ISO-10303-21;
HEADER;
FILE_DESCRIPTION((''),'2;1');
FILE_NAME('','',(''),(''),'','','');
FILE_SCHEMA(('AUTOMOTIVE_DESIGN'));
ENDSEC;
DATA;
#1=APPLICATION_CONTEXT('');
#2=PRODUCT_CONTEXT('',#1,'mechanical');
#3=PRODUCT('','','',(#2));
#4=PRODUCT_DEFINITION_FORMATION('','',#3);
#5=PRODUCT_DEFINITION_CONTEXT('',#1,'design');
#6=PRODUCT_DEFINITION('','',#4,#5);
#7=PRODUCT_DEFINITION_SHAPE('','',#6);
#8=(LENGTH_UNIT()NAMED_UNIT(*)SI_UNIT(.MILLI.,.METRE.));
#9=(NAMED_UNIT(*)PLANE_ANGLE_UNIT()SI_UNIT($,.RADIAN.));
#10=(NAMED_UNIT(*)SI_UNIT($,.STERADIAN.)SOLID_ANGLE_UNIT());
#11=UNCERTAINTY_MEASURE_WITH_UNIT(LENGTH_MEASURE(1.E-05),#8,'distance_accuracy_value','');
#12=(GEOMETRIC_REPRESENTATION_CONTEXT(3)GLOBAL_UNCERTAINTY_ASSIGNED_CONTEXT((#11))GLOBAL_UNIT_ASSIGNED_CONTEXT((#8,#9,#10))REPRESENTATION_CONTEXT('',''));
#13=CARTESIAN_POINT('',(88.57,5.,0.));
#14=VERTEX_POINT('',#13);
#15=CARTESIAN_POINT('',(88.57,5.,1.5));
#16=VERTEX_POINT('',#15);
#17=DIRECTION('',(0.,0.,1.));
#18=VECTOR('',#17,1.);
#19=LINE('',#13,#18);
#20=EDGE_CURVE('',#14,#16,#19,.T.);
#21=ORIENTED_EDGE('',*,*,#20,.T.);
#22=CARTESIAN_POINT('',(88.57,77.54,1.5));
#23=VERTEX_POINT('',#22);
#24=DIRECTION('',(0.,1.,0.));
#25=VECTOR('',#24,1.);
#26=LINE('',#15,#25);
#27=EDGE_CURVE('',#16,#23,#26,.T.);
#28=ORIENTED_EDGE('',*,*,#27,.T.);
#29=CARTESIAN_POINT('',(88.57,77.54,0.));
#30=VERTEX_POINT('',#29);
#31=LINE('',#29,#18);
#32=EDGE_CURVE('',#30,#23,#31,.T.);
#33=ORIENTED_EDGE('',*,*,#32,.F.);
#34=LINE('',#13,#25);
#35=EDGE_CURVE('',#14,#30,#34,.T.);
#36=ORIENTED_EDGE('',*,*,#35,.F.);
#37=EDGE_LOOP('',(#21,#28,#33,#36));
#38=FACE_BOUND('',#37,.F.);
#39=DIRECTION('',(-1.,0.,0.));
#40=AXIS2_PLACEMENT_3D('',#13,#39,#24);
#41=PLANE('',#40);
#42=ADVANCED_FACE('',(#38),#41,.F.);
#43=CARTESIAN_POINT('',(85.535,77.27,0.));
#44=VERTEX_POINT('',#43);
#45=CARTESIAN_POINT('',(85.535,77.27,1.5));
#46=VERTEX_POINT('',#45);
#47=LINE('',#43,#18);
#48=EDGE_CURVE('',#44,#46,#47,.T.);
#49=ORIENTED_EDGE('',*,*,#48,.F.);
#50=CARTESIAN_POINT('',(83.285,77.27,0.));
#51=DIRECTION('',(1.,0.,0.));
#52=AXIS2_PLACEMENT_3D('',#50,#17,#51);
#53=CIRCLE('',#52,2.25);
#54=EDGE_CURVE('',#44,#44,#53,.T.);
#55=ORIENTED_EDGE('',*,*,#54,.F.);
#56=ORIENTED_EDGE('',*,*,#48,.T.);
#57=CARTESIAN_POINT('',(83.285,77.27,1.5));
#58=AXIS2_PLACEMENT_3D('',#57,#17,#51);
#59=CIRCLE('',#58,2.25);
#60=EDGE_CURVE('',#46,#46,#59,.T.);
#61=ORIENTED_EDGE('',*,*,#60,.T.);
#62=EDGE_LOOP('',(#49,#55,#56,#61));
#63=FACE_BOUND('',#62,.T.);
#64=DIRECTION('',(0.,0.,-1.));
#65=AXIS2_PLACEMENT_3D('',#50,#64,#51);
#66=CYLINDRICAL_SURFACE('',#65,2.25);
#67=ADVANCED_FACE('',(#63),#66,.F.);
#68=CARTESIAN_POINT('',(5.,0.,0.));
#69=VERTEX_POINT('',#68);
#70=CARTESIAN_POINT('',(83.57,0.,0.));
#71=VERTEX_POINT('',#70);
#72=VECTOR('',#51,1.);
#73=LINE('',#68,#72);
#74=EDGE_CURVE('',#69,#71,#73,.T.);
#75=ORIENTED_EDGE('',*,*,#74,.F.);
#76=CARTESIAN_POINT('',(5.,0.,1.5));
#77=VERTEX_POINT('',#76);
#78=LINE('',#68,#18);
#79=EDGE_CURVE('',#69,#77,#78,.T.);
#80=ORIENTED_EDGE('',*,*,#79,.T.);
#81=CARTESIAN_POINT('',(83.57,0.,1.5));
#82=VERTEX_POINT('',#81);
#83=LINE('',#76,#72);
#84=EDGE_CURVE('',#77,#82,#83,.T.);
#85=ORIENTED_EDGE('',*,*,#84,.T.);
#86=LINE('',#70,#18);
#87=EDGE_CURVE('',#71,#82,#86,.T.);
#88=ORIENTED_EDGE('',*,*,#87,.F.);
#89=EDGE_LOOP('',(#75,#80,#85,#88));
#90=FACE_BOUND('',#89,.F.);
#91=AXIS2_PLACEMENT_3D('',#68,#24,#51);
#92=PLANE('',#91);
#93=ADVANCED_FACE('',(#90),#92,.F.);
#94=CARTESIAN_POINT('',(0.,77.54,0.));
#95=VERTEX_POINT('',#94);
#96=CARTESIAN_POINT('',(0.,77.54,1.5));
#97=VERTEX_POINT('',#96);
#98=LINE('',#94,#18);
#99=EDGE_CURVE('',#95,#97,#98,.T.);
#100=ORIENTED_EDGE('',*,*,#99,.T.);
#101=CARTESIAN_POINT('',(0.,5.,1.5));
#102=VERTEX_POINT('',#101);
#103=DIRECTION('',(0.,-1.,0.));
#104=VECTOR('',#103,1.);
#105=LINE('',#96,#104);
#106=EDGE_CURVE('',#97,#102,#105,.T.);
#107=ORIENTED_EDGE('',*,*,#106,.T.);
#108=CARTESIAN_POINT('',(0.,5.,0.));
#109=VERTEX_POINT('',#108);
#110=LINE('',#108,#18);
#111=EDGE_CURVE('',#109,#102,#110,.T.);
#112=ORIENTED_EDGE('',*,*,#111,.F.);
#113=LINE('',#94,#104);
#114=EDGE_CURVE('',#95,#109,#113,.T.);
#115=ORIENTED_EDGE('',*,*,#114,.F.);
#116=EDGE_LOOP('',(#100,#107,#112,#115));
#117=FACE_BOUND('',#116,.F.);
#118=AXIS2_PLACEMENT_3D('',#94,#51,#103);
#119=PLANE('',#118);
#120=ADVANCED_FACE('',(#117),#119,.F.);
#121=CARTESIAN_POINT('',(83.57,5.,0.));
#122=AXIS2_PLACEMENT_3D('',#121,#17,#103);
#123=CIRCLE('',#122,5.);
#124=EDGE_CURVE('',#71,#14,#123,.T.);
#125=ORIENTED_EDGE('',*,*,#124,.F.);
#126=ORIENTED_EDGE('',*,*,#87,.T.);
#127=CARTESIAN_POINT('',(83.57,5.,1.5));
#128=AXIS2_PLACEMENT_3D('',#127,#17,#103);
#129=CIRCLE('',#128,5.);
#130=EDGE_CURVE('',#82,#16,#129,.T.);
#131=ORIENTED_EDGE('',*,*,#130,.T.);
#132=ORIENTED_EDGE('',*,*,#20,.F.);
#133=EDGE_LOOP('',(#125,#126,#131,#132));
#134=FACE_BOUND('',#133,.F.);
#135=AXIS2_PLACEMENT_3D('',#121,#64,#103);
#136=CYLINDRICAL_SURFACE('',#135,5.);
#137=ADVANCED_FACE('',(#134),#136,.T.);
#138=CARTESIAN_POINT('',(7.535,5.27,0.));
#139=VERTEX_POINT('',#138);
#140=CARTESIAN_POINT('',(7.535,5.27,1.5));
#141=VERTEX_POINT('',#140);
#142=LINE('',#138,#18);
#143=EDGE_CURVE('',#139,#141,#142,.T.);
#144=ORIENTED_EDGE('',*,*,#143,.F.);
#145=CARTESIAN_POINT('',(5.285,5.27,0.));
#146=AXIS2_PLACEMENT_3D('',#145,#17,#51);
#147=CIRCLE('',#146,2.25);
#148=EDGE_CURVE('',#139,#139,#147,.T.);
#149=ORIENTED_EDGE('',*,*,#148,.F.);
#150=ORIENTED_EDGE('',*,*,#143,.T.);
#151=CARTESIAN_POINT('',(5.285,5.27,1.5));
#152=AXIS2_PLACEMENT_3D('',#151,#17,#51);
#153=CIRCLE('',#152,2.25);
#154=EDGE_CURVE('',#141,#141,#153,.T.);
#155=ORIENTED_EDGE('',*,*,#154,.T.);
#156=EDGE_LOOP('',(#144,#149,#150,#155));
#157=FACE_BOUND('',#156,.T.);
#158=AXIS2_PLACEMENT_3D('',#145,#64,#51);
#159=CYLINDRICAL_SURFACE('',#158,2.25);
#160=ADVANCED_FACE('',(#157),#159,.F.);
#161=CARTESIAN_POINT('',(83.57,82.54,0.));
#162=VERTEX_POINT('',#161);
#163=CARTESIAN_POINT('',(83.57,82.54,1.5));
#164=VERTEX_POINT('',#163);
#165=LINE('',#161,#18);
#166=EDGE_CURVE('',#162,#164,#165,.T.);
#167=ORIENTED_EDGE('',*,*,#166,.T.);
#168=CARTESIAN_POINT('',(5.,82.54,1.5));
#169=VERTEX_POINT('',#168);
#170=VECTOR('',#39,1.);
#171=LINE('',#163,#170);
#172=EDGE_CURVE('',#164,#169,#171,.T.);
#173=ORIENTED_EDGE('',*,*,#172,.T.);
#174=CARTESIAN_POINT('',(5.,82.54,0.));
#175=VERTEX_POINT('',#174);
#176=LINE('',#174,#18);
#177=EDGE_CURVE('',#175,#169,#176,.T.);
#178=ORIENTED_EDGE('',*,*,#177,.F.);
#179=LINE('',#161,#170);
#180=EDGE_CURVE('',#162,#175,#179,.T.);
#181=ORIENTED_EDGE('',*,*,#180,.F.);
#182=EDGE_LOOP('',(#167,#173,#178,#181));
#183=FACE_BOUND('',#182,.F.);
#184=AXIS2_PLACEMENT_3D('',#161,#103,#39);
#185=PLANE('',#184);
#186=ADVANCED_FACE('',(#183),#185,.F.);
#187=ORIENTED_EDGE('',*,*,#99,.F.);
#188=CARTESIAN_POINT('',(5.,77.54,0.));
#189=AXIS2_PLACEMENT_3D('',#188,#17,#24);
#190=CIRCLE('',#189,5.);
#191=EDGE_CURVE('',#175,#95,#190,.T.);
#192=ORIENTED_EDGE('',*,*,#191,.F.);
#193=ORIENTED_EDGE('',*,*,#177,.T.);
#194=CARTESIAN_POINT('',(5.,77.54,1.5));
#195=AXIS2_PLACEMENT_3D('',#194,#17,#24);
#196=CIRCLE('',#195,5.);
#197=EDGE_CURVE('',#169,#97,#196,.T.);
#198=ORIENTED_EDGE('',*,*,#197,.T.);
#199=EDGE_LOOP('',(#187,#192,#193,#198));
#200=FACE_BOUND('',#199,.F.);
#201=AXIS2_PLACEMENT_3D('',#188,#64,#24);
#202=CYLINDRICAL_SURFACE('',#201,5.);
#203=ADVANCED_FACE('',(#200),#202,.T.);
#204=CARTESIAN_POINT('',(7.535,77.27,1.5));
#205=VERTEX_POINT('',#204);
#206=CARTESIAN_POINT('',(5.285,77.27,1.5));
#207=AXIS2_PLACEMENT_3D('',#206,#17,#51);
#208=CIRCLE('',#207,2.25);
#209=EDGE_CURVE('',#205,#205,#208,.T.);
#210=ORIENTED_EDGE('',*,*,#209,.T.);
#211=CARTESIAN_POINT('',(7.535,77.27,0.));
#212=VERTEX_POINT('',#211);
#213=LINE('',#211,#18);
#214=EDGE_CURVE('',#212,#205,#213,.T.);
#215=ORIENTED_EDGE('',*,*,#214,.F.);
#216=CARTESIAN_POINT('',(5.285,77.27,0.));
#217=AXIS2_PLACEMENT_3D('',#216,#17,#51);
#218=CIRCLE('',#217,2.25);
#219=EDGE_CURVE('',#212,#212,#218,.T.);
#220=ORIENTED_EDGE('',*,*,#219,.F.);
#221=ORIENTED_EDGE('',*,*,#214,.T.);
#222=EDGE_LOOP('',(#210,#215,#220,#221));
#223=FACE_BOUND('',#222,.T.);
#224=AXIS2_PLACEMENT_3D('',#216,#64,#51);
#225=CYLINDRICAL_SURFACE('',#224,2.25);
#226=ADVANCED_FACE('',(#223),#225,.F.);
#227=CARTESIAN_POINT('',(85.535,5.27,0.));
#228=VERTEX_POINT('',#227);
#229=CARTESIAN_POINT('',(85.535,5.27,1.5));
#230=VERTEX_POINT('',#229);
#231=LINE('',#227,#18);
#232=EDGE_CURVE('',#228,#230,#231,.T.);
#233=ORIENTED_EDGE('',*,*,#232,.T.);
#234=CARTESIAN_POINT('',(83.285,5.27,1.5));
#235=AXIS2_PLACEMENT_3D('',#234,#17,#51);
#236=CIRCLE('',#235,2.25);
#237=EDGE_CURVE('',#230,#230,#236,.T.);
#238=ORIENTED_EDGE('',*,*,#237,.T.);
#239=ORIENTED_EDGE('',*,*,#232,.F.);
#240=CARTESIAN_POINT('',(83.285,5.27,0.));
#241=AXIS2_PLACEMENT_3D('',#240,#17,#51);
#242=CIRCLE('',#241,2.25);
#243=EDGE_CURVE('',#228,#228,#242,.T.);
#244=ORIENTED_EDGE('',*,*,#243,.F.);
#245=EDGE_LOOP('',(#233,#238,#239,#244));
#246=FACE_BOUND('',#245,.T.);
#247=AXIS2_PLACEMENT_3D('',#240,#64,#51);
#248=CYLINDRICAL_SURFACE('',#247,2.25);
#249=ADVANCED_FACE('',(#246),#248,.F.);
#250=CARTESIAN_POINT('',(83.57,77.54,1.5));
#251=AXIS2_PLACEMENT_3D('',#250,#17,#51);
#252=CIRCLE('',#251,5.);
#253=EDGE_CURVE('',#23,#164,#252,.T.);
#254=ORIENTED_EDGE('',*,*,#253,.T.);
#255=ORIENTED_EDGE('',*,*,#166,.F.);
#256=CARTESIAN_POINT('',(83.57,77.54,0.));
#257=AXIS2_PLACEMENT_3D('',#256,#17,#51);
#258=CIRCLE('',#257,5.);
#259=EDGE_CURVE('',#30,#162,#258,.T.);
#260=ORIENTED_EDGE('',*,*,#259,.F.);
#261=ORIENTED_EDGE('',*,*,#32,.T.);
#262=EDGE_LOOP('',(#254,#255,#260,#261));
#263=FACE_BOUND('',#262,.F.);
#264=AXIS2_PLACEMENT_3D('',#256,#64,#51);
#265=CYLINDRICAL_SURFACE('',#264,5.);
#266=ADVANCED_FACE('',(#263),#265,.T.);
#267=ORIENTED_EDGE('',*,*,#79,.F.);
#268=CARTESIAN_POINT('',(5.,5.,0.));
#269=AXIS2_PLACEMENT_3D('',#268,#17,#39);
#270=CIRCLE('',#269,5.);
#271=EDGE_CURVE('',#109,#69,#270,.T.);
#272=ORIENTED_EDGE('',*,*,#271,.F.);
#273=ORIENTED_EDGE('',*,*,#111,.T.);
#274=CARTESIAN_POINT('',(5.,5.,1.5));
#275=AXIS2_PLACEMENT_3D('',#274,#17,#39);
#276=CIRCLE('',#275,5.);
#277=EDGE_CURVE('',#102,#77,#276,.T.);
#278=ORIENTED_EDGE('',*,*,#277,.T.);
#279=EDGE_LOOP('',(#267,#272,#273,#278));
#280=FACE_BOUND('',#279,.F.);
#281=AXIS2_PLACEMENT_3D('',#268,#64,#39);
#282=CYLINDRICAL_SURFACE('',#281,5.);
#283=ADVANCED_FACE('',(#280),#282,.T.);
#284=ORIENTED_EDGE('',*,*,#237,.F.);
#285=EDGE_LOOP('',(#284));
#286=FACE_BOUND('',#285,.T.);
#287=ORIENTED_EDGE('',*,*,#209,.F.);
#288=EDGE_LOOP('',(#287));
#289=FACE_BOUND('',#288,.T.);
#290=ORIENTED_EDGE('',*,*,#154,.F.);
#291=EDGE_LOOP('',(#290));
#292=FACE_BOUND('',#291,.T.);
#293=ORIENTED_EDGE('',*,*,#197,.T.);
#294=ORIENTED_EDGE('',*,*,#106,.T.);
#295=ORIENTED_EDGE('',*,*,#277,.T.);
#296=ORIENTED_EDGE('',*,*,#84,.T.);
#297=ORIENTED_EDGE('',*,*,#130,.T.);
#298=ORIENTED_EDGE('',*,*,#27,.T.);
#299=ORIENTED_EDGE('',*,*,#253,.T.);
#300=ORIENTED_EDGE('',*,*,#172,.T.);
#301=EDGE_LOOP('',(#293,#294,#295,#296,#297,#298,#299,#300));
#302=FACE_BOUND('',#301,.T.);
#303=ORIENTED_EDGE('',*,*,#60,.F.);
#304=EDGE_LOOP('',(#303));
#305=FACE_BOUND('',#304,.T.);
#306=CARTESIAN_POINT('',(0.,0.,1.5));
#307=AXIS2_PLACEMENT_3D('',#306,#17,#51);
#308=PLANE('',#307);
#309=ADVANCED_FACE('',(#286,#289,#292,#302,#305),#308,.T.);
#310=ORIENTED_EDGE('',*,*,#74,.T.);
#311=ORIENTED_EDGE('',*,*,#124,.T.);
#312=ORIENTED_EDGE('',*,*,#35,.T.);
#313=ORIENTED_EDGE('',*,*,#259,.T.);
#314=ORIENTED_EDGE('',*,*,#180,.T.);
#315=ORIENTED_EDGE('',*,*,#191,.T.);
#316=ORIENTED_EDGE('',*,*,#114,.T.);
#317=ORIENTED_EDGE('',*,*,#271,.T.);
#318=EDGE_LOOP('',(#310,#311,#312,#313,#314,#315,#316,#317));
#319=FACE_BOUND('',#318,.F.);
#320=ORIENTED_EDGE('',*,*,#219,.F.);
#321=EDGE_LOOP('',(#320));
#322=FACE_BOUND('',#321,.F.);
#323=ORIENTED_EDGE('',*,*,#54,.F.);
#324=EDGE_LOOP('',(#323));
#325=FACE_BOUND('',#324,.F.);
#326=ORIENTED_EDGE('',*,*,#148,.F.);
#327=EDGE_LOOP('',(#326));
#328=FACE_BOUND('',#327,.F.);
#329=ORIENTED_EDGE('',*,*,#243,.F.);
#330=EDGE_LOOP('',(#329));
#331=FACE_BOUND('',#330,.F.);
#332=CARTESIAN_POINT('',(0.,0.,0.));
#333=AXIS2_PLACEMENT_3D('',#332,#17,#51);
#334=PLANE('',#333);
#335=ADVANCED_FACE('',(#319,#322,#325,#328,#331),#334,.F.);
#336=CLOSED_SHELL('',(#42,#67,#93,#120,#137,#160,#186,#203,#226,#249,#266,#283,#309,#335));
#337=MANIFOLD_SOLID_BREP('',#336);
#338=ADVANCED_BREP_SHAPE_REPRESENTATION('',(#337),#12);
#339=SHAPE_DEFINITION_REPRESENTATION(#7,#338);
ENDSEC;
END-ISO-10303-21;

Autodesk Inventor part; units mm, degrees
ref_plane "YZ Plane" through (0, 0, 0) normal (1, 0, 0) x (0, 1, 0)
ref_plane "XZ Plane" through (0, 0, 0) normal (0, 1, 0) x (-1, 0, 0)
ref_plane "XY Plane" through (0, 0, 0) normal (0, 0, 1) x (1, 0, 0)
sketch "Sketch1" plane through (0, 0, 0) normal (0, 0, 1) x (1, 0, 0)
  line L0 (5, 0) -> (83.57, 0)
  line L1 (88.57, 5) -> (88.57, 77.54)
  line L2 (83.57, 82.54) -> (5, 82.54)
  line L3 (0, 77.54) -> (0, 5)
  line L4 (5.285, 77.27) -> (83.285, 77.27) construction
  line L5 (83.285, 77.27) -> (83.285, 5.27) construction
  line L6 (83.285, 5.27) -> (5.285, 5.27) construction
  line L7 (5.285, 5.27) -> (5.285, 77.27) construction
  arc A0 (5, 82.54) -> (0, 77.54) centre (5, 77.54) ccw
  arc A1 (0, 5) -> (5, 0) centre (5, 5) ccw
  arc A2 (83.57, 0) -> (88.57, 5) centre (83.57, 5) ccw
  arc A3 (88.57, 77.54) -> (83.57, 82.54) centre (83.57, 77.54) ccw
  circle A4 centre (5.285, 77.27) radius 2.25
  circle A5 centre (83.285, 77.27) radius 2.25
  circle A6 centre (83.285, 5.27) radius 2.25
  circle A7 centre (5.285, 5.27) radius 2.25
  point P0 (0, 0)
  point P1 (88.57, 82.54)
  point P2 (0, 82.54)
  dimension "d0" = 88.57
  dimension "d2" = 82.54
  dimension "d3" = 78
  dimension "d4" = 72
  dimension "d5" = 5.285
  dimension "d6" = 5.27
  dimension "d7" = 5
  dimension "d8" = 4.5
  dimension "d9" = 4.5
  dimension "d10" = 4.5
  dimension "d11" = 4.5
extrude "Extrusion1" add sketch "Sketch1" along normal blind 1.5
sketch "Sketch2" plane through (0, 0, 1.5) normal (0, 0, 1) x (1, 0, 0)
  line L0 (0, 77.54) -> (0, 5) projected
  line L1 (88.57, 5) -> (88.57, 77.54) projected
  line L2 (83.57, 82.54) -> (5, 82.54) projected
  line L3 (0, 82.54) -> (88.57, 82.54) construction
  line L4 (88.57, 82.54) -> (88.57, -0.0156) construction
  line L5 (88.57, -0.0156) -> (0, -0.0156) construction
  line L6 (0, -0.0156) -> (0, 82.54) construction
  point P0 (0, 0)
decal "Decal1"
sketch "Sketch3" plane through (0, 0, 0) normal (0, 0, -1) x (-1, 0, 0)
  line L0 (0, 77.54) -> (0, 5) projected
  line L1 (-83.57, 82.54) -> (-5, 82.54) projected
  line L2 (-88.57, 5) -> (-88.57, 77.54) projected
  line L3 (-88.57, 82.54) -> (0, 82.54) construction
  line L4 (0, 82.54) -> (0, -0.0156) construction
  line L5 (0, -0.0156) -> (-88.57, -0.0156) construction
  line L6 (-88.57, -0.0156) -> (-88.57, 82.54) construction
  point P0 (0, 0)
decal "Decal2"
equation "\"d5\" = -0.5 * d3 + 0.5 * d0"
equation "\"d6\" = -0.5 * d4 + 0.5 * d2"
equation "\"d9\" = d8"
equation "\"d10\" = d8"
equation "\"d11\" = d8"
properties part number "pcb-model"
